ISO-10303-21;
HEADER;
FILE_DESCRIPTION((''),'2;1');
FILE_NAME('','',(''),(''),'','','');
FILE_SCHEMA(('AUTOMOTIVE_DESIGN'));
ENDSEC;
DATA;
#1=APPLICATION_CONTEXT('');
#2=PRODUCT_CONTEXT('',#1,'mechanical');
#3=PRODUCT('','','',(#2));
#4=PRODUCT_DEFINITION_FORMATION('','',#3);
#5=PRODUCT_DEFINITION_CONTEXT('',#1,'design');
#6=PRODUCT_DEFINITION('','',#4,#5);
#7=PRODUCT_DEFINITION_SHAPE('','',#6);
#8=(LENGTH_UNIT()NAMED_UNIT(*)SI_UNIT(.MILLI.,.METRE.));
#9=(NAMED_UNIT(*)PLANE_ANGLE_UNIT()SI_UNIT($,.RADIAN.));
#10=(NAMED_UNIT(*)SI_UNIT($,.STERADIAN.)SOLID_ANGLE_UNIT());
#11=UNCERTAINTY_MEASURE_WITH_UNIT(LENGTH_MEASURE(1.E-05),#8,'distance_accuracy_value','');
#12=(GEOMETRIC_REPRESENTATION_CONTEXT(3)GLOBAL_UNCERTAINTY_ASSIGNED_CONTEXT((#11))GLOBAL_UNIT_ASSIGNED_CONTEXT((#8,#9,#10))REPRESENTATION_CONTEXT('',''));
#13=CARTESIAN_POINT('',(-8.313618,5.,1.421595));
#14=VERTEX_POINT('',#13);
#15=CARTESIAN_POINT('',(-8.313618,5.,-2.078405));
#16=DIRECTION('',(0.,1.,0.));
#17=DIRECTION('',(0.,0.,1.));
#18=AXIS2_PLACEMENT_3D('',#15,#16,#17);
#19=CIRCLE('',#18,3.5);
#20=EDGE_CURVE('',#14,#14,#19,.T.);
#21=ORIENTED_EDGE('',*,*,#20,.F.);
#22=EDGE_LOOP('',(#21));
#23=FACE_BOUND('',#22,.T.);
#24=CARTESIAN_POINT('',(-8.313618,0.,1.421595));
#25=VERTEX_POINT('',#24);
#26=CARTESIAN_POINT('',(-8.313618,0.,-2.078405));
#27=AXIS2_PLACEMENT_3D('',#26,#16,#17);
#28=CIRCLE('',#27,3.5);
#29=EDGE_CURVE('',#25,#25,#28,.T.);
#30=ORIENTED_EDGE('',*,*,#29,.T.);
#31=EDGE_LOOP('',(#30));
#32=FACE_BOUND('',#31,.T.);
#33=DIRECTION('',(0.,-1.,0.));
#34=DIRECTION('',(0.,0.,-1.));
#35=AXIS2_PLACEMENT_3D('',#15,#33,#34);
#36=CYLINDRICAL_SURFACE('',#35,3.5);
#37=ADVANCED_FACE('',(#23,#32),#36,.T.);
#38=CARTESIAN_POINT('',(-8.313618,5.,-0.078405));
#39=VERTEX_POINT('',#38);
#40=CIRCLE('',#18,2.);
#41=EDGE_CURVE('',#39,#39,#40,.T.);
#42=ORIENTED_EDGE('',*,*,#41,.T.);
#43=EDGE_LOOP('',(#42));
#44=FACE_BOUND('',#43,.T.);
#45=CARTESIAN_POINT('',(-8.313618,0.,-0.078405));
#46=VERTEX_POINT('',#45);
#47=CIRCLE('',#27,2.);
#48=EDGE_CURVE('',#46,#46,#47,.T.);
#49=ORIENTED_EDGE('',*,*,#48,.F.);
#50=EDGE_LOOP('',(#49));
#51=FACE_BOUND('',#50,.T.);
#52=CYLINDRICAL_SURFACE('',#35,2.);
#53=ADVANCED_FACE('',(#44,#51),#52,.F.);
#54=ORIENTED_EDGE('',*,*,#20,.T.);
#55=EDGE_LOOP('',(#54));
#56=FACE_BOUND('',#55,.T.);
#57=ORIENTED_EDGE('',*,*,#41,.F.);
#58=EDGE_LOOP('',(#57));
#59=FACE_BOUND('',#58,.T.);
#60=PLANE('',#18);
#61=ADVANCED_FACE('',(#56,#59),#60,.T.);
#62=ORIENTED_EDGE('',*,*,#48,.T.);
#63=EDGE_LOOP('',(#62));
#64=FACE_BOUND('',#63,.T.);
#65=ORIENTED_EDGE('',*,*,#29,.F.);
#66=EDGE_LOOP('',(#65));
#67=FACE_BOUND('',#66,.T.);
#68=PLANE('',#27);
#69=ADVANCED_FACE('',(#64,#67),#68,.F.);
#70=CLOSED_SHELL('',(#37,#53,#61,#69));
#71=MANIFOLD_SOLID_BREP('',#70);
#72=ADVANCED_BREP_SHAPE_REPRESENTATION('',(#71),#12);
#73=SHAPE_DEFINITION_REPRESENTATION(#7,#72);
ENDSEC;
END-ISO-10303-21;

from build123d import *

# Parameters (mm, degrees)
SKETCH1_R           = 3.5
SKETCH1_R_2         = 2
BOSS_EXTRUDE2_DEPTH = 5


with BuildPart() as part:
    # Sketch1 → Boss-Extrude2 (new body)
    with BuildSketch(Plane(origin=(0, 0, 0), x_dir=(1, 0, 0), z_dir=(0, 1, 0))):
        with Locations((-8.313618314, 2.078404578)):
            Circle(SKETCH1_R)
        with Locations((-8.313618314, 2.078404578)):
            Circle(SKETCH1_R_2, mode=Mode.SUBTRACT)
    extrude(amount=BOSS_EXTRUDE2_DEPTH)


solid = part.part
